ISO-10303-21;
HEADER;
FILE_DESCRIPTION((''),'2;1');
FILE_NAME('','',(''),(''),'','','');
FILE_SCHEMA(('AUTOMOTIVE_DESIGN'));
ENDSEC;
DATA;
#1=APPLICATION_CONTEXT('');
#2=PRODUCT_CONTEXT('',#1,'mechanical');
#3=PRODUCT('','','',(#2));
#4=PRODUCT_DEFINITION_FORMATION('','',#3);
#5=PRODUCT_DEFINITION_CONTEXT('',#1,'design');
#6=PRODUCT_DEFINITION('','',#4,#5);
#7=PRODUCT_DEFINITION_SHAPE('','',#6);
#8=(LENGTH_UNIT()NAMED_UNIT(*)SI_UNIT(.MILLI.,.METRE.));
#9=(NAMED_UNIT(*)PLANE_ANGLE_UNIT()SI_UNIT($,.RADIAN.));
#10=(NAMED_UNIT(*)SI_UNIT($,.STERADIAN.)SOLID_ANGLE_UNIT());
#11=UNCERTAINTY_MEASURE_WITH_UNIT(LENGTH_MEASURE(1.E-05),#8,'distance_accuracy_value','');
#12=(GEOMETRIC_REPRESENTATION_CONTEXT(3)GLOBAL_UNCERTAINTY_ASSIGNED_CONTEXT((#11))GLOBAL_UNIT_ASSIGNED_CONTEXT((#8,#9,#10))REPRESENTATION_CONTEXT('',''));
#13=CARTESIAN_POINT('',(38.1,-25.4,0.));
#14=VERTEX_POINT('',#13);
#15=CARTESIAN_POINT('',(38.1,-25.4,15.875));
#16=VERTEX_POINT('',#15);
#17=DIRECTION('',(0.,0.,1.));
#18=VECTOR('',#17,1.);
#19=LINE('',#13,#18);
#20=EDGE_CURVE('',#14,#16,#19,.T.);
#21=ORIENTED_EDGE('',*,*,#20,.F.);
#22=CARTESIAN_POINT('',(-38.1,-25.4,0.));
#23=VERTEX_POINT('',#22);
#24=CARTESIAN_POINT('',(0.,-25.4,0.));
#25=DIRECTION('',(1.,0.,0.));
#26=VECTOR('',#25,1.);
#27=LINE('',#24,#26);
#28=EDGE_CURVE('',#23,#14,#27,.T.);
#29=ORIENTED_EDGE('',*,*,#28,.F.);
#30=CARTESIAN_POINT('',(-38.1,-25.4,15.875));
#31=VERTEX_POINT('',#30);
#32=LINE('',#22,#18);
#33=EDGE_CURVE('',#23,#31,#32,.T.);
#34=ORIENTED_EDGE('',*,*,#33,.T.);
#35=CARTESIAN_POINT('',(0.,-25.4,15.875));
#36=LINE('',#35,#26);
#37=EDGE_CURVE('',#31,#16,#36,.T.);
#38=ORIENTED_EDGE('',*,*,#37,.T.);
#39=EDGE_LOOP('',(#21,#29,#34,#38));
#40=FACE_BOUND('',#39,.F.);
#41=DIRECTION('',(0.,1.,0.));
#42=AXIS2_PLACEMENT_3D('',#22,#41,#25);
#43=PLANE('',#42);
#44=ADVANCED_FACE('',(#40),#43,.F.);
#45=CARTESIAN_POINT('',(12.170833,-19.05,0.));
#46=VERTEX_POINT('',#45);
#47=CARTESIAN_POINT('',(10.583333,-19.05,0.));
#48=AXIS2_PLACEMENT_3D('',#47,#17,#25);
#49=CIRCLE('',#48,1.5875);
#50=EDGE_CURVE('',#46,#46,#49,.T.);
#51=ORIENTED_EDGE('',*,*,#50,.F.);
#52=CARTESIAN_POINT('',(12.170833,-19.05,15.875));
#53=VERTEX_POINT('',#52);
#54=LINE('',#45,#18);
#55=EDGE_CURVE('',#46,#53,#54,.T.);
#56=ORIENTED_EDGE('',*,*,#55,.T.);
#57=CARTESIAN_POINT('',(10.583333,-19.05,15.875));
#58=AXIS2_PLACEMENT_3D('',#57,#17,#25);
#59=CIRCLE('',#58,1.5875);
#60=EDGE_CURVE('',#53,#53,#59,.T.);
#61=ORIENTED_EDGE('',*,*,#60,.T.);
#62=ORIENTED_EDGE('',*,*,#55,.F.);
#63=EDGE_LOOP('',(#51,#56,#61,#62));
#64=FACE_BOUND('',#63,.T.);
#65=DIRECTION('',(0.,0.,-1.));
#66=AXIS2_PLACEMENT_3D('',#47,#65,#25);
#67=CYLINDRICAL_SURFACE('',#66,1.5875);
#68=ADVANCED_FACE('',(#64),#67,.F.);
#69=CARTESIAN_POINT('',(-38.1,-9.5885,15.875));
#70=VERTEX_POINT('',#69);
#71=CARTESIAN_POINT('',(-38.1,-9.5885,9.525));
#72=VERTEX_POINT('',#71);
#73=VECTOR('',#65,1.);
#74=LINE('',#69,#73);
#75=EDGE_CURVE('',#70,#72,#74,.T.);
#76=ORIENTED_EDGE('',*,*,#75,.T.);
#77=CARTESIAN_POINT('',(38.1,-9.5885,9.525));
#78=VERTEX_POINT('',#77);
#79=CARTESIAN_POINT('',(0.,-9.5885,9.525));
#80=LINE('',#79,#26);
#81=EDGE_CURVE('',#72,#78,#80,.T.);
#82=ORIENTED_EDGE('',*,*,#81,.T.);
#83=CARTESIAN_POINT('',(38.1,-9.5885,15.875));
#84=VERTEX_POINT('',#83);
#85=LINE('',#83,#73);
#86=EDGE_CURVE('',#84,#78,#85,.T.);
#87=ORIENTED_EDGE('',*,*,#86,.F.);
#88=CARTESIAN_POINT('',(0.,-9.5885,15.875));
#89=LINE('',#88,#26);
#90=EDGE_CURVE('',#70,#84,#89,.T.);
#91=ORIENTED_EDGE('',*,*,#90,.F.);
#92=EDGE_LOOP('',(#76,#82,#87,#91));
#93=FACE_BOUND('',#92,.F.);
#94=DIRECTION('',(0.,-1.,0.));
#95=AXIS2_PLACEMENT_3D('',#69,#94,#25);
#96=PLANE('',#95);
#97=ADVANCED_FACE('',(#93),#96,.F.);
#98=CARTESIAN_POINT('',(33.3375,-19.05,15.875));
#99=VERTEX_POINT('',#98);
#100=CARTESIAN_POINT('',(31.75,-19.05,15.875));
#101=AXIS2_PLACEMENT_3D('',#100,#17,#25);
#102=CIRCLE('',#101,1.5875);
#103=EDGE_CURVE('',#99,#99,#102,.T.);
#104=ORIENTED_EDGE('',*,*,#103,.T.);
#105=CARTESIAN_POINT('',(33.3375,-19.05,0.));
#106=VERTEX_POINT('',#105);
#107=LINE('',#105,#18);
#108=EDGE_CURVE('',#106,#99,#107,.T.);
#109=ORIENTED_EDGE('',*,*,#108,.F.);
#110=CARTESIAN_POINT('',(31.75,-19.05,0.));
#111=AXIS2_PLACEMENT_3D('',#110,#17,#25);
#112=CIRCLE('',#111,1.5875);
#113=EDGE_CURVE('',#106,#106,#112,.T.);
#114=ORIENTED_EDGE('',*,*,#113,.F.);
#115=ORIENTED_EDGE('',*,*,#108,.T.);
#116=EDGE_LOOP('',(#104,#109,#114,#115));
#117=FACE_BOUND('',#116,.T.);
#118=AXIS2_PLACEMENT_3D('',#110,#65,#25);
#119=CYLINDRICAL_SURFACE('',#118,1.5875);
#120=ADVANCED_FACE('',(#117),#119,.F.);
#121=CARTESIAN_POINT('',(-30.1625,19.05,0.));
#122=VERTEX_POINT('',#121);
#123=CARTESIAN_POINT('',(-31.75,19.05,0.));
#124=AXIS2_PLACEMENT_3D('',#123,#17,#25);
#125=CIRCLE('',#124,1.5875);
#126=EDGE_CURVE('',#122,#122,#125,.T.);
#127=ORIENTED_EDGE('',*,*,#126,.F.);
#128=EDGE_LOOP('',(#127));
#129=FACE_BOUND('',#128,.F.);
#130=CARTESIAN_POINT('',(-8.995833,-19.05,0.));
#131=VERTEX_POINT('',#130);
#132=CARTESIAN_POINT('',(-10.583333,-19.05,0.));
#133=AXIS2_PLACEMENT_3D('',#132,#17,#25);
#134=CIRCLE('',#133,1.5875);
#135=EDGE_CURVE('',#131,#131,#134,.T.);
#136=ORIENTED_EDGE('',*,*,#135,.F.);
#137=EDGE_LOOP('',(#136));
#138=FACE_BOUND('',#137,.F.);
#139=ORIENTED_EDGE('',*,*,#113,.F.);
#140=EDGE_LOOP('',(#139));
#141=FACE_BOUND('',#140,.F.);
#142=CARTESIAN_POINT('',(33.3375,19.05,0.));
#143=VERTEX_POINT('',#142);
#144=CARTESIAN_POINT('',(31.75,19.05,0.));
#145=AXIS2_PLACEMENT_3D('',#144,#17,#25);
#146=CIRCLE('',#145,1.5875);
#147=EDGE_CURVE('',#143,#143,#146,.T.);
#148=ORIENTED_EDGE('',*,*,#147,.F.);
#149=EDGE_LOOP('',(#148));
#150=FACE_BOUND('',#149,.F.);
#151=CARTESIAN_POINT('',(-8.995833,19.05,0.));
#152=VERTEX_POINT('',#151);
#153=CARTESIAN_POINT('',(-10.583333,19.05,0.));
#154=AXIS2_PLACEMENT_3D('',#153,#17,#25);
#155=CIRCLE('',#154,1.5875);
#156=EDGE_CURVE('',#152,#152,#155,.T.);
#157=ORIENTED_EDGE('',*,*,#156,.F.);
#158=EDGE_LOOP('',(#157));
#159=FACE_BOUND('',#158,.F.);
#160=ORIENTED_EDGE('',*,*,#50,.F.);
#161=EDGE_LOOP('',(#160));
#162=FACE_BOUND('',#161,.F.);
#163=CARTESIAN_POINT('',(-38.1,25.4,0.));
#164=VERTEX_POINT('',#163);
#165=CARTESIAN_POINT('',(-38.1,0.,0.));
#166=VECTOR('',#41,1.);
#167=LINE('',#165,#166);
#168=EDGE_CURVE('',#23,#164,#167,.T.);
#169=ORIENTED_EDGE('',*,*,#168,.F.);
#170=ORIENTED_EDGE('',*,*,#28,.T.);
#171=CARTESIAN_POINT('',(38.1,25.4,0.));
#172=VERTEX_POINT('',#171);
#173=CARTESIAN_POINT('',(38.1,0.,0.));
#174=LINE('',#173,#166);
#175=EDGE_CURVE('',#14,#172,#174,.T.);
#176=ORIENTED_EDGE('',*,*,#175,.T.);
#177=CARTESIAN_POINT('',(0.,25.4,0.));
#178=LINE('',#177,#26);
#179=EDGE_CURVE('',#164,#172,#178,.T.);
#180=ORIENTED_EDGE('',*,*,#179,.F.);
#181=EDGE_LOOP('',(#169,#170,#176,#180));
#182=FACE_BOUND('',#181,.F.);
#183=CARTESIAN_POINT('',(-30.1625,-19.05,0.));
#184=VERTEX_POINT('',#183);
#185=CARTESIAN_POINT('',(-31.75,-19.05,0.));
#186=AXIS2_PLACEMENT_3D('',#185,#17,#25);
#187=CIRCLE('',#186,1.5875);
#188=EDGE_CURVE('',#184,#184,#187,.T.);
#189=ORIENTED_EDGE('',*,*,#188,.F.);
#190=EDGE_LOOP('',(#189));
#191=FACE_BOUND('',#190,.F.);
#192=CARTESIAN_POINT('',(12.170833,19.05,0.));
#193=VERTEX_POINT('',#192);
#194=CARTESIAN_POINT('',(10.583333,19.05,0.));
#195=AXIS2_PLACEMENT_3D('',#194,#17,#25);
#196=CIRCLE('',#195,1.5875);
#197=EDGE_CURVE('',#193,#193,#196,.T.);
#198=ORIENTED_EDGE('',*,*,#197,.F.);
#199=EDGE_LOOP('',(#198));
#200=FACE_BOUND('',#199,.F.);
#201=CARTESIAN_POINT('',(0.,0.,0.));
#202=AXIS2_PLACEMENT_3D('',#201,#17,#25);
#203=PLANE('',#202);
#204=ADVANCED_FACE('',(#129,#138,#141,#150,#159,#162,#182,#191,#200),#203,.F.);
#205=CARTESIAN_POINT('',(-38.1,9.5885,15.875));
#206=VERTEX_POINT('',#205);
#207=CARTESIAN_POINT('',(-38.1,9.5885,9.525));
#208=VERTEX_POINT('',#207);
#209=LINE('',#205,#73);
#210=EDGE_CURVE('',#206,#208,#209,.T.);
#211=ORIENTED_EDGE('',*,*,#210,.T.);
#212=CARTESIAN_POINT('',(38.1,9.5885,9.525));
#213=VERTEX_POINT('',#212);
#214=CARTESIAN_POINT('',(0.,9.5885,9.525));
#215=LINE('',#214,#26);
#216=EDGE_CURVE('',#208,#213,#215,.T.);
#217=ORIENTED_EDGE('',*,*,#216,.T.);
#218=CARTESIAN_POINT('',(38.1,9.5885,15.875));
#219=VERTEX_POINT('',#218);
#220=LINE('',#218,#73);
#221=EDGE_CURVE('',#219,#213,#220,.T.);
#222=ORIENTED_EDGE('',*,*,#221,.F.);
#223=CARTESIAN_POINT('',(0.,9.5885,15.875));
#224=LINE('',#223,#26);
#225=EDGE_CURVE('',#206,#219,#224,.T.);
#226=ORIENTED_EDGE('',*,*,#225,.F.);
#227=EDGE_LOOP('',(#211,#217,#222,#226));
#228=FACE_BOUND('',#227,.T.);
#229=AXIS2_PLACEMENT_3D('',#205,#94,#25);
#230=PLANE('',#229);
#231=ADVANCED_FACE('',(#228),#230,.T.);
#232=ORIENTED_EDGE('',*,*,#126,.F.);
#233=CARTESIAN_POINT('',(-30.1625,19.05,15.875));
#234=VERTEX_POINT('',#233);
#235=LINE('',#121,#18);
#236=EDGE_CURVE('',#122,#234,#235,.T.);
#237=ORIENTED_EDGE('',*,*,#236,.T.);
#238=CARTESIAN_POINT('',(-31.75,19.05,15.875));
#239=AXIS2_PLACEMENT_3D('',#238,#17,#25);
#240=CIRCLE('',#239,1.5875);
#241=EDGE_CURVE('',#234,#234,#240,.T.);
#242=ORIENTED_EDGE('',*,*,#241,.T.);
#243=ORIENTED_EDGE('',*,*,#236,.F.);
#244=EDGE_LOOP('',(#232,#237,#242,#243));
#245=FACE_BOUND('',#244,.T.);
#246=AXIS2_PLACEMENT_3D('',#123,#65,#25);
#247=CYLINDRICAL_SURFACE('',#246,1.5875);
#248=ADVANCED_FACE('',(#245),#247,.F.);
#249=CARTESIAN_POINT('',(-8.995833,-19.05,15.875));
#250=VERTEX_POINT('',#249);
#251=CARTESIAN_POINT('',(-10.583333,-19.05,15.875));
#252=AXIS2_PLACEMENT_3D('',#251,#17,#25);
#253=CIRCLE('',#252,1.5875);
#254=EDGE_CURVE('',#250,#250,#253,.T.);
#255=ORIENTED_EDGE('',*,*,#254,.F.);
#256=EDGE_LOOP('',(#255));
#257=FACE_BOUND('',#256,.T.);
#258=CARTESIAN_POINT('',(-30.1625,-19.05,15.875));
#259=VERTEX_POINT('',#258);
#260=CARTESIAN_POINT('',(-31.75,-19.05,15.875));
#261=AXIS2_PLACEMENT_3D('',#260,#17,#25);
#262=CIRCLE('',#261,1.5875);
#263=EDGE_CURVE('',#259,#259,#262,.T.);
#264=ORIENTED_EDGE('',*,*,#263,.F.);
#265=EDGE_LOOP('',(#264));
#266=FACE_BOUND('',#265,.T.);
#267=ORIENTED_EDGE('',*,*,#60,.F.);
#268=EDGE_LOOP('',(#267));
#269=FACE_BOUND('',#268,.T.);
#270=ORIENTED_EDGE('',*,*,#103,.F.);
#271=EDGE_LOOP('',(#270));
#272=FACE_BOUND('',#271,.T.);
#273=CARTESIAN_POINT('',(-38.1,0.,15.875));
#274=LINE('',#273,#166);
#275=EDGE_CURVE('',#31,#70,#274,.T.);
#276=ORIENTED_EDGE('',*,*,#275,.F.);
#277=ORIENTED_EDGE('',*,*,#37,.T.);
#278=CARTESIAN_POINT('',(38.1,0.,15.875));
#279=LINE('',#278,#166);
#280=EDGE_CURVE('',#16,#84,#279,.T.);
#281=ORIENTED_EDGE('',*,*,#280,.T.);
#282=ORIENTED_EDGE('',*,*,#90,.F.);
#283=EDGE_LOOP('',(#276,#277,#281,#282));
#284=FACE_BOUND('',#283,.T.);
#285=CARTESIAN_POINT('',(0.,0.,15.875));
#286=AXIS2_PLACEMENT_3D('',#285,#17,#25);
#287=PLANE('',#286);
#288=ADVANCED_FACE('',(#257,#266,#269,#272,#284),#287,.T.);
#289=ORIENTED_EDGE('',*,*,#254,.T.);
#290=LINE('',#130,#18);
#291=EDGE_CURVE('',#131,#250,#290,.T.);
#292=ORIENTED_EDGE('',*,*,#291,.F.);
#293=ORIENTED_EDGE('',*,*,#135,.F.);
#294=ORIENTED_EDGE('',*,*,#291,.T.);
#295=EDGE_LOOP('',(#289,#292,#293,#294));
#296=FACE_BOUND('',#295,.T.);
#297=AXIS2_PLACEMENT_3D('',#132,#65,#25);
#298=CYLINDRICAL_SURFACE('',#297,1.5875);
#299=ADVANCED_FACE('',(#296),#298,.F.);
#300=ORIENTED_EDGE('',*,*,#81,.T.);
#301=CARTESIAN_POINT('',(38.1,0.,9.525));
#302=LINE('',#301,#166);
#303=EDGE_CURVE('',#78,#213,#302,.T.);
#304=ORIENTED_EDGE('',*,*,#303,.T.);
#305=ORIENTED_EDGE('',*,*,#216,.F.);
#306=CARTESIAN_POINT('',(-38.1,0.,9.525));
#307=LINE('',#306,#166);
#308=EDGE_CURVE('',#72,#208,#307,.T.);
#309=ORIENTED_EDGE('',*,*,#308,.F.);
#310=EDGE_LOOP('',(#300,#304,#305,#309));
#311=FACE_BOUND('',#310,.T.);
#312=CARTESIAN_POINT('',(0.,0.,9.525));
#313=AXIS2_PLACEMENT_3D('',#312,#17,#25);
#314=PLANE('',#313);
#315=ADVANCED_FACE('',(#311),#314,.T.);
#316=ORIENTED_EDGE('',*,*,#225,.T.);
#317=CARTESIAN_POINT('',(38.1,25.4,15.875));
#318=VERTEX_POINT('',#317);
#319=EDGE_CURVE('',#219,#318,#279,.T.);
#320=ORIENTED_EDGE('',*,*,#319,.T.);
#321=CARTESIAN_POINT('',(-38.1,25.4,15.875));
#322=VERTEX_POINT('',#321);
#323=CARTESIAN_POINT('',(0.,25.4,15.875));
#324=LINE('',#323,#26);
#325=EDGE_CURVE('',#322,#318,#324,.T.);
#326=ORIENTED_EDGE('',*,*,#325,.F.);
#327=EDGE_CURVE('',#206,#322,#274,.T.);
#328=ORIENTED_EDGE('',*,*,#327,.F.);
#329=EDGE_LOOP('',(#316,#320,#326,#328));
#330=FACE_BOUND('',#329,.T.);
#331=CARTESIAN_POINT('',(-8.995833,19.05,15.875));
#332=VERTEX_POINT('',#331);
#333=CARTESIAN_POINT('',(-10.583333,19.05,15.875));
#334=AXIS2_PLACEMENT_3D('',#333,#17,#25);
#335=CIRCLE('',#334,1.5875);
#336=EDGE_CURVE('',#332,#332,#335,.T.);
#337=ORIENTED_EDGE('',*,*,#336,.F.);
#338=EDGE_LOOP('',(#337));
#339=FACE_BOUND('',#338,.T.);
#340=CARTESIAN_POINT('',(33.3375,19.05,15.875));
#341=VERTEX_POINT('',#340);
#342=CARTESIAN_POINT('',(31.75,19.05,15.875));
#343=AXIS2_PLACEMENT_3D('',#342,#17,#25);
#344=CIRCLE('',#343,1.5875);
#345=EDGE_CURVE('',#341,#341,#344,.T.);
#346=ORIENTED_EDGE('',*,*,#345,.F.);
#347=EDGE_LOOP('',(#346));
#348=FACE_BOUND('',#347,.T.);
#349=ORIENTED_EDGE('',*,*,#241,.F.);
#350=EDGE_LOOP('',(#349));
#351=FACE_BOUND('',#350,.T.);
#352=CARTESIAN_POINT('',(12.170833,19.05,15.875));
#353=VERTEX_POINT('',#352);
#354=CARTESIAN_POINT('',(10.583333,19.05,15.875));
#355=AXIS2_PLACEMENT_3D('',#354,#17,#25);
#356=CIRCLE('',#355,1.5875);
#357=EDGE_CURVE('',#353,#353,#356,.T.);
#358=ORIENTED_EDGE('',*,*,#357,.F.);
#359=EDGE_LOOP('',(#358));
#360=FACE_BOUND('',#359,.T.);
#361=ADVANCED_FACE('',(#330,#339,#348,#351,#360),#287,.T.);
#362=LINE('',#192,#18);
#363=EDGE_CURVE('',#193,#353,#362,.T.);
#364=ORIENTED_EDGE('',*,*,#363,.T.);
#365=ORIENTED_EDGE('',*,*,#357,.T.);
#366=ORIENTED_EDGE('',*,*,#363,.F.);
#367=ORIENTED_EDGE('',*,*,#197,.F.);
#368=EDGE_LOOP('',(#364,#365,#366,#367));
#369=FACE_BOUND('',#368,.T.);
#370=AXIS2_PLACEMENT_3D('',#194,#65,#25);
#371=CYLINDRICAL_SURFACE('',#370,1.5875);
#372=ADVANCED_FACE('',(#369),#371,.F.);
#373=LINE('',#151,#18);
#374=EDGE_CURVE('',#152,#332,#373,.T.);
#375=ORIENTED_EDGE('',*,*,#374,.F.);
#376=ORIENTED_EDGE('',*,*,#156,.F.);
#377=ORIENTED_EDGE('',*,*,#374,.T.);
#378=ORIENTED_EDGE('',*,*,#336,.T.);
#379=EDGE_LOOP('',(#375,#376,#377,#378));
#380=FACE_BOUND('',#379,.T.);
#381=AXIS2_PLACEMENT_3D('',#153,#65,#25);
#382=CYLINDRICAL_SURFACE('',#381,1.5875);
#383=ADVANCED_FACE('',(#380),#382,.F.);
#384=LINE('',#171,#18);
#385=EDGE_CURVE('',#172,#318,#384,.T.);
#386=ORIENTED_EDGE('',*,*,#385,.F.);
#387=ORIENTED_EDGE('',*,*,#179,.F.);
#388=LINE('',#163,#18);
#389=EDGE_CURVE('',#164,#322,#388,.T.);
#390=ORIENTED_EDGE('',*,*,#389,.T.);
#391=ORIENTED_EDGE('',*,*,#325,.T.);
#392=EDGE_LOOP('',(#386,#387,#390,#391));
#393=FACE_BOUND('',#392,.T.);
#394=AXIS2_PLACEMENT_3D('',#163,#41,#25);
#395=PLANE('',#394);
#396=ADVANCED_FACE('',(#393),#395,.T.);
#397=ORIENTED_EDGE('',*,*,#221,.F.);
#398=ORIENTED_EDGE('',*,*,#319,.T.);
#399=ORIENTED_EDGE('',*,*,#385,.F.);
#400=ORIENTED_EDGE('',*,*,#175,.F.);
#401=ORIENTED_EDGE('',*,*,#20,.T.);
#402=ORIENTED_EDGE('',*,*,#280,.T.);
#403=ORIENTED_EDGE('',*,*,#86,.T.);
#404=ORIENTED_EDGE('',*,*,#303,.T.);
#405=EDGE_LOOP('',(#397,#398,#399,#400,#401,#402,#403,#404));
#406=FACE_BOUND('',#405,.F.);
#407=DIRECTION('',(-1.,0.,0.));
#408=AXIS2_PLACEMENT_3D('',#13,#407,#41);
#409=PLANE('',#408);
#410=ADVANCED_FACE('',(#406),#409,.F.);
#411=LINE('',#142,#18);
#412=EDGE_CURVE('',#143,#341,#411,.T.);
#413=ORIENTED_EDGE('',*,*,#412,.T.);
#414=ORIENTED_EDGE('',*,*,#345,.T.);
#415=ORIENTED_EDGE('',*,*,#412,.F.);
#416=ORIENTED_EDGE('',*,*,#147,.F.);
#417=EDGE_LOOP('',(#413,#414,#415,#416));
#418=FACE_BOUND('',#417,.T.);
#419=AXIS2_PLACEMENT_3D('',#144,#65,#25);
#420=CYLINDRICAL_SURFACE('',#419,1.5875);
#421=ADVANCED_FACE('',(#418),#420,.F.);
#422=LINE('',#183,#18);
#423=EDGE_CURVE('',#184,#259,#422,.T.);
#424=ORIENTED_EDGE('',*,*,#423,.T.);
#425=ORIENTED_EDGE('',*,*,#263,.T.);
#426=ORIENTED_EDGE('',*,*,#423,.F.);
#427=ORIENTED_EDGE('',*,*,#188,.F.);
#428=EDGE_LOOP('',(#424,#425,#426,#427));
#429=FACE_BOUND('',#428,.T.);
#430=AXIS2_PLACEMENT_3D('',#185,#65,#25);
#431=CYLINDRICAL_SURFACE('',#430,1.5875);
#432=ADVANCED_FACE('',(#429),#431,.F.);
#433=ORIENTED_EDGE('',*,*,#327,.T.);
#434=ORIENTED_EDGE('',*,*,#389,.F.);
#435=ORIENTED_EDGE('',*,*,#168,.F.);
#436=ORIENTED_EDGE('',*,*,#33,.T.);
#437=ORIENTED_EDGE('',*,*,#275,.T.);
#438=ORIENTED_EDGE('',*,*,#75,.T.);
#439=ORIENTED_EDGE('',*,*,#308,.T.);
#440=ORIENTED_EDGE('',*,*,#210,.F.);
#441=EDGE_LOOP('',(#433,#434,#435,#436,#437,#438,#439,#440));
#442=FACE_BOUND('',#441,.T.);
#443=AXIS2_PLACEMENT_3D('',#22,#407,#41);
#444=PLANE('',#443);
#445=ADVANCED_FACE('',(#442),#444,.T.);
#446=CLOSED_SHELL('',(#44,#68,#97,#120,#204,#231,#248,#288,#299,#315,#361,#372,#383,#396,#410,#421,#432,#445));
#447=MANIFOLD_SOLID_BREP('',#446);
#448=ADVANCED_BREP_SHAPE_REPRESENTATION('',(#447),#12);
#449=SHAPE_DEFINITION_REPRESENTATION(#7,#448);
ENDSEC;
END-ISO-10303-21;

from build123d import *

# Parameters (mm, degrees)
F0_W     = 76.2
F0_H     = 50.8
F0_R     = 1.5875
F1_DEPTH = 15.875
F2_W     = 76.2
F2_H     = 19.177
F3_DEPTH = 6.35


with BuildPart() as f1:
    # F0 (on Top) → F1 (new body)
    with BuildSketch(Plane.XY):
        Rectangle(F0_W, F0_H)
        with Locations((-31.75, -19.05)):
            Circle(F0_R, mode=Mode.SUBTRACT)
        with Locations((-10.583333, -19.05)):
            Circle(F0_R, mode=Mode.SUBTRACT)
        with Locations((10.583333, -19.05)):
            Circle(F0_R, mode=Mode.SUBTRACT)
        with Locations((31.75, -19.05)):
            Circle(F0_R, mode=Mode.SUBTRACT)
        with Locations((-31.75, 19.05)):
            Circle(F0_R, mode=Mode.SUBTRACT)
        with Locations((-10.583333, 19.05)):
            Circle(F0_R, mode=Mode.SUBTRACT)
        with Locations((10.583333, 19.05)):
            Circle(F0_R, mode=Mode.SUBTRACT)
        with Locations((31.75, 19.05)):
            Circle(F0_R, mode=Mode.SUBTRACT)
    extrude(amount=F1_DEPTH)

    # F2 (on face) → F3 (cut)
    with BuildSketch(Plane.XY.offset(15.875)):
        Rectangle(F2_W, F2_H)
    extrude(amount=-F3_DEPTH, mode=Mode.SUBTRACT)


solid = f1.part
